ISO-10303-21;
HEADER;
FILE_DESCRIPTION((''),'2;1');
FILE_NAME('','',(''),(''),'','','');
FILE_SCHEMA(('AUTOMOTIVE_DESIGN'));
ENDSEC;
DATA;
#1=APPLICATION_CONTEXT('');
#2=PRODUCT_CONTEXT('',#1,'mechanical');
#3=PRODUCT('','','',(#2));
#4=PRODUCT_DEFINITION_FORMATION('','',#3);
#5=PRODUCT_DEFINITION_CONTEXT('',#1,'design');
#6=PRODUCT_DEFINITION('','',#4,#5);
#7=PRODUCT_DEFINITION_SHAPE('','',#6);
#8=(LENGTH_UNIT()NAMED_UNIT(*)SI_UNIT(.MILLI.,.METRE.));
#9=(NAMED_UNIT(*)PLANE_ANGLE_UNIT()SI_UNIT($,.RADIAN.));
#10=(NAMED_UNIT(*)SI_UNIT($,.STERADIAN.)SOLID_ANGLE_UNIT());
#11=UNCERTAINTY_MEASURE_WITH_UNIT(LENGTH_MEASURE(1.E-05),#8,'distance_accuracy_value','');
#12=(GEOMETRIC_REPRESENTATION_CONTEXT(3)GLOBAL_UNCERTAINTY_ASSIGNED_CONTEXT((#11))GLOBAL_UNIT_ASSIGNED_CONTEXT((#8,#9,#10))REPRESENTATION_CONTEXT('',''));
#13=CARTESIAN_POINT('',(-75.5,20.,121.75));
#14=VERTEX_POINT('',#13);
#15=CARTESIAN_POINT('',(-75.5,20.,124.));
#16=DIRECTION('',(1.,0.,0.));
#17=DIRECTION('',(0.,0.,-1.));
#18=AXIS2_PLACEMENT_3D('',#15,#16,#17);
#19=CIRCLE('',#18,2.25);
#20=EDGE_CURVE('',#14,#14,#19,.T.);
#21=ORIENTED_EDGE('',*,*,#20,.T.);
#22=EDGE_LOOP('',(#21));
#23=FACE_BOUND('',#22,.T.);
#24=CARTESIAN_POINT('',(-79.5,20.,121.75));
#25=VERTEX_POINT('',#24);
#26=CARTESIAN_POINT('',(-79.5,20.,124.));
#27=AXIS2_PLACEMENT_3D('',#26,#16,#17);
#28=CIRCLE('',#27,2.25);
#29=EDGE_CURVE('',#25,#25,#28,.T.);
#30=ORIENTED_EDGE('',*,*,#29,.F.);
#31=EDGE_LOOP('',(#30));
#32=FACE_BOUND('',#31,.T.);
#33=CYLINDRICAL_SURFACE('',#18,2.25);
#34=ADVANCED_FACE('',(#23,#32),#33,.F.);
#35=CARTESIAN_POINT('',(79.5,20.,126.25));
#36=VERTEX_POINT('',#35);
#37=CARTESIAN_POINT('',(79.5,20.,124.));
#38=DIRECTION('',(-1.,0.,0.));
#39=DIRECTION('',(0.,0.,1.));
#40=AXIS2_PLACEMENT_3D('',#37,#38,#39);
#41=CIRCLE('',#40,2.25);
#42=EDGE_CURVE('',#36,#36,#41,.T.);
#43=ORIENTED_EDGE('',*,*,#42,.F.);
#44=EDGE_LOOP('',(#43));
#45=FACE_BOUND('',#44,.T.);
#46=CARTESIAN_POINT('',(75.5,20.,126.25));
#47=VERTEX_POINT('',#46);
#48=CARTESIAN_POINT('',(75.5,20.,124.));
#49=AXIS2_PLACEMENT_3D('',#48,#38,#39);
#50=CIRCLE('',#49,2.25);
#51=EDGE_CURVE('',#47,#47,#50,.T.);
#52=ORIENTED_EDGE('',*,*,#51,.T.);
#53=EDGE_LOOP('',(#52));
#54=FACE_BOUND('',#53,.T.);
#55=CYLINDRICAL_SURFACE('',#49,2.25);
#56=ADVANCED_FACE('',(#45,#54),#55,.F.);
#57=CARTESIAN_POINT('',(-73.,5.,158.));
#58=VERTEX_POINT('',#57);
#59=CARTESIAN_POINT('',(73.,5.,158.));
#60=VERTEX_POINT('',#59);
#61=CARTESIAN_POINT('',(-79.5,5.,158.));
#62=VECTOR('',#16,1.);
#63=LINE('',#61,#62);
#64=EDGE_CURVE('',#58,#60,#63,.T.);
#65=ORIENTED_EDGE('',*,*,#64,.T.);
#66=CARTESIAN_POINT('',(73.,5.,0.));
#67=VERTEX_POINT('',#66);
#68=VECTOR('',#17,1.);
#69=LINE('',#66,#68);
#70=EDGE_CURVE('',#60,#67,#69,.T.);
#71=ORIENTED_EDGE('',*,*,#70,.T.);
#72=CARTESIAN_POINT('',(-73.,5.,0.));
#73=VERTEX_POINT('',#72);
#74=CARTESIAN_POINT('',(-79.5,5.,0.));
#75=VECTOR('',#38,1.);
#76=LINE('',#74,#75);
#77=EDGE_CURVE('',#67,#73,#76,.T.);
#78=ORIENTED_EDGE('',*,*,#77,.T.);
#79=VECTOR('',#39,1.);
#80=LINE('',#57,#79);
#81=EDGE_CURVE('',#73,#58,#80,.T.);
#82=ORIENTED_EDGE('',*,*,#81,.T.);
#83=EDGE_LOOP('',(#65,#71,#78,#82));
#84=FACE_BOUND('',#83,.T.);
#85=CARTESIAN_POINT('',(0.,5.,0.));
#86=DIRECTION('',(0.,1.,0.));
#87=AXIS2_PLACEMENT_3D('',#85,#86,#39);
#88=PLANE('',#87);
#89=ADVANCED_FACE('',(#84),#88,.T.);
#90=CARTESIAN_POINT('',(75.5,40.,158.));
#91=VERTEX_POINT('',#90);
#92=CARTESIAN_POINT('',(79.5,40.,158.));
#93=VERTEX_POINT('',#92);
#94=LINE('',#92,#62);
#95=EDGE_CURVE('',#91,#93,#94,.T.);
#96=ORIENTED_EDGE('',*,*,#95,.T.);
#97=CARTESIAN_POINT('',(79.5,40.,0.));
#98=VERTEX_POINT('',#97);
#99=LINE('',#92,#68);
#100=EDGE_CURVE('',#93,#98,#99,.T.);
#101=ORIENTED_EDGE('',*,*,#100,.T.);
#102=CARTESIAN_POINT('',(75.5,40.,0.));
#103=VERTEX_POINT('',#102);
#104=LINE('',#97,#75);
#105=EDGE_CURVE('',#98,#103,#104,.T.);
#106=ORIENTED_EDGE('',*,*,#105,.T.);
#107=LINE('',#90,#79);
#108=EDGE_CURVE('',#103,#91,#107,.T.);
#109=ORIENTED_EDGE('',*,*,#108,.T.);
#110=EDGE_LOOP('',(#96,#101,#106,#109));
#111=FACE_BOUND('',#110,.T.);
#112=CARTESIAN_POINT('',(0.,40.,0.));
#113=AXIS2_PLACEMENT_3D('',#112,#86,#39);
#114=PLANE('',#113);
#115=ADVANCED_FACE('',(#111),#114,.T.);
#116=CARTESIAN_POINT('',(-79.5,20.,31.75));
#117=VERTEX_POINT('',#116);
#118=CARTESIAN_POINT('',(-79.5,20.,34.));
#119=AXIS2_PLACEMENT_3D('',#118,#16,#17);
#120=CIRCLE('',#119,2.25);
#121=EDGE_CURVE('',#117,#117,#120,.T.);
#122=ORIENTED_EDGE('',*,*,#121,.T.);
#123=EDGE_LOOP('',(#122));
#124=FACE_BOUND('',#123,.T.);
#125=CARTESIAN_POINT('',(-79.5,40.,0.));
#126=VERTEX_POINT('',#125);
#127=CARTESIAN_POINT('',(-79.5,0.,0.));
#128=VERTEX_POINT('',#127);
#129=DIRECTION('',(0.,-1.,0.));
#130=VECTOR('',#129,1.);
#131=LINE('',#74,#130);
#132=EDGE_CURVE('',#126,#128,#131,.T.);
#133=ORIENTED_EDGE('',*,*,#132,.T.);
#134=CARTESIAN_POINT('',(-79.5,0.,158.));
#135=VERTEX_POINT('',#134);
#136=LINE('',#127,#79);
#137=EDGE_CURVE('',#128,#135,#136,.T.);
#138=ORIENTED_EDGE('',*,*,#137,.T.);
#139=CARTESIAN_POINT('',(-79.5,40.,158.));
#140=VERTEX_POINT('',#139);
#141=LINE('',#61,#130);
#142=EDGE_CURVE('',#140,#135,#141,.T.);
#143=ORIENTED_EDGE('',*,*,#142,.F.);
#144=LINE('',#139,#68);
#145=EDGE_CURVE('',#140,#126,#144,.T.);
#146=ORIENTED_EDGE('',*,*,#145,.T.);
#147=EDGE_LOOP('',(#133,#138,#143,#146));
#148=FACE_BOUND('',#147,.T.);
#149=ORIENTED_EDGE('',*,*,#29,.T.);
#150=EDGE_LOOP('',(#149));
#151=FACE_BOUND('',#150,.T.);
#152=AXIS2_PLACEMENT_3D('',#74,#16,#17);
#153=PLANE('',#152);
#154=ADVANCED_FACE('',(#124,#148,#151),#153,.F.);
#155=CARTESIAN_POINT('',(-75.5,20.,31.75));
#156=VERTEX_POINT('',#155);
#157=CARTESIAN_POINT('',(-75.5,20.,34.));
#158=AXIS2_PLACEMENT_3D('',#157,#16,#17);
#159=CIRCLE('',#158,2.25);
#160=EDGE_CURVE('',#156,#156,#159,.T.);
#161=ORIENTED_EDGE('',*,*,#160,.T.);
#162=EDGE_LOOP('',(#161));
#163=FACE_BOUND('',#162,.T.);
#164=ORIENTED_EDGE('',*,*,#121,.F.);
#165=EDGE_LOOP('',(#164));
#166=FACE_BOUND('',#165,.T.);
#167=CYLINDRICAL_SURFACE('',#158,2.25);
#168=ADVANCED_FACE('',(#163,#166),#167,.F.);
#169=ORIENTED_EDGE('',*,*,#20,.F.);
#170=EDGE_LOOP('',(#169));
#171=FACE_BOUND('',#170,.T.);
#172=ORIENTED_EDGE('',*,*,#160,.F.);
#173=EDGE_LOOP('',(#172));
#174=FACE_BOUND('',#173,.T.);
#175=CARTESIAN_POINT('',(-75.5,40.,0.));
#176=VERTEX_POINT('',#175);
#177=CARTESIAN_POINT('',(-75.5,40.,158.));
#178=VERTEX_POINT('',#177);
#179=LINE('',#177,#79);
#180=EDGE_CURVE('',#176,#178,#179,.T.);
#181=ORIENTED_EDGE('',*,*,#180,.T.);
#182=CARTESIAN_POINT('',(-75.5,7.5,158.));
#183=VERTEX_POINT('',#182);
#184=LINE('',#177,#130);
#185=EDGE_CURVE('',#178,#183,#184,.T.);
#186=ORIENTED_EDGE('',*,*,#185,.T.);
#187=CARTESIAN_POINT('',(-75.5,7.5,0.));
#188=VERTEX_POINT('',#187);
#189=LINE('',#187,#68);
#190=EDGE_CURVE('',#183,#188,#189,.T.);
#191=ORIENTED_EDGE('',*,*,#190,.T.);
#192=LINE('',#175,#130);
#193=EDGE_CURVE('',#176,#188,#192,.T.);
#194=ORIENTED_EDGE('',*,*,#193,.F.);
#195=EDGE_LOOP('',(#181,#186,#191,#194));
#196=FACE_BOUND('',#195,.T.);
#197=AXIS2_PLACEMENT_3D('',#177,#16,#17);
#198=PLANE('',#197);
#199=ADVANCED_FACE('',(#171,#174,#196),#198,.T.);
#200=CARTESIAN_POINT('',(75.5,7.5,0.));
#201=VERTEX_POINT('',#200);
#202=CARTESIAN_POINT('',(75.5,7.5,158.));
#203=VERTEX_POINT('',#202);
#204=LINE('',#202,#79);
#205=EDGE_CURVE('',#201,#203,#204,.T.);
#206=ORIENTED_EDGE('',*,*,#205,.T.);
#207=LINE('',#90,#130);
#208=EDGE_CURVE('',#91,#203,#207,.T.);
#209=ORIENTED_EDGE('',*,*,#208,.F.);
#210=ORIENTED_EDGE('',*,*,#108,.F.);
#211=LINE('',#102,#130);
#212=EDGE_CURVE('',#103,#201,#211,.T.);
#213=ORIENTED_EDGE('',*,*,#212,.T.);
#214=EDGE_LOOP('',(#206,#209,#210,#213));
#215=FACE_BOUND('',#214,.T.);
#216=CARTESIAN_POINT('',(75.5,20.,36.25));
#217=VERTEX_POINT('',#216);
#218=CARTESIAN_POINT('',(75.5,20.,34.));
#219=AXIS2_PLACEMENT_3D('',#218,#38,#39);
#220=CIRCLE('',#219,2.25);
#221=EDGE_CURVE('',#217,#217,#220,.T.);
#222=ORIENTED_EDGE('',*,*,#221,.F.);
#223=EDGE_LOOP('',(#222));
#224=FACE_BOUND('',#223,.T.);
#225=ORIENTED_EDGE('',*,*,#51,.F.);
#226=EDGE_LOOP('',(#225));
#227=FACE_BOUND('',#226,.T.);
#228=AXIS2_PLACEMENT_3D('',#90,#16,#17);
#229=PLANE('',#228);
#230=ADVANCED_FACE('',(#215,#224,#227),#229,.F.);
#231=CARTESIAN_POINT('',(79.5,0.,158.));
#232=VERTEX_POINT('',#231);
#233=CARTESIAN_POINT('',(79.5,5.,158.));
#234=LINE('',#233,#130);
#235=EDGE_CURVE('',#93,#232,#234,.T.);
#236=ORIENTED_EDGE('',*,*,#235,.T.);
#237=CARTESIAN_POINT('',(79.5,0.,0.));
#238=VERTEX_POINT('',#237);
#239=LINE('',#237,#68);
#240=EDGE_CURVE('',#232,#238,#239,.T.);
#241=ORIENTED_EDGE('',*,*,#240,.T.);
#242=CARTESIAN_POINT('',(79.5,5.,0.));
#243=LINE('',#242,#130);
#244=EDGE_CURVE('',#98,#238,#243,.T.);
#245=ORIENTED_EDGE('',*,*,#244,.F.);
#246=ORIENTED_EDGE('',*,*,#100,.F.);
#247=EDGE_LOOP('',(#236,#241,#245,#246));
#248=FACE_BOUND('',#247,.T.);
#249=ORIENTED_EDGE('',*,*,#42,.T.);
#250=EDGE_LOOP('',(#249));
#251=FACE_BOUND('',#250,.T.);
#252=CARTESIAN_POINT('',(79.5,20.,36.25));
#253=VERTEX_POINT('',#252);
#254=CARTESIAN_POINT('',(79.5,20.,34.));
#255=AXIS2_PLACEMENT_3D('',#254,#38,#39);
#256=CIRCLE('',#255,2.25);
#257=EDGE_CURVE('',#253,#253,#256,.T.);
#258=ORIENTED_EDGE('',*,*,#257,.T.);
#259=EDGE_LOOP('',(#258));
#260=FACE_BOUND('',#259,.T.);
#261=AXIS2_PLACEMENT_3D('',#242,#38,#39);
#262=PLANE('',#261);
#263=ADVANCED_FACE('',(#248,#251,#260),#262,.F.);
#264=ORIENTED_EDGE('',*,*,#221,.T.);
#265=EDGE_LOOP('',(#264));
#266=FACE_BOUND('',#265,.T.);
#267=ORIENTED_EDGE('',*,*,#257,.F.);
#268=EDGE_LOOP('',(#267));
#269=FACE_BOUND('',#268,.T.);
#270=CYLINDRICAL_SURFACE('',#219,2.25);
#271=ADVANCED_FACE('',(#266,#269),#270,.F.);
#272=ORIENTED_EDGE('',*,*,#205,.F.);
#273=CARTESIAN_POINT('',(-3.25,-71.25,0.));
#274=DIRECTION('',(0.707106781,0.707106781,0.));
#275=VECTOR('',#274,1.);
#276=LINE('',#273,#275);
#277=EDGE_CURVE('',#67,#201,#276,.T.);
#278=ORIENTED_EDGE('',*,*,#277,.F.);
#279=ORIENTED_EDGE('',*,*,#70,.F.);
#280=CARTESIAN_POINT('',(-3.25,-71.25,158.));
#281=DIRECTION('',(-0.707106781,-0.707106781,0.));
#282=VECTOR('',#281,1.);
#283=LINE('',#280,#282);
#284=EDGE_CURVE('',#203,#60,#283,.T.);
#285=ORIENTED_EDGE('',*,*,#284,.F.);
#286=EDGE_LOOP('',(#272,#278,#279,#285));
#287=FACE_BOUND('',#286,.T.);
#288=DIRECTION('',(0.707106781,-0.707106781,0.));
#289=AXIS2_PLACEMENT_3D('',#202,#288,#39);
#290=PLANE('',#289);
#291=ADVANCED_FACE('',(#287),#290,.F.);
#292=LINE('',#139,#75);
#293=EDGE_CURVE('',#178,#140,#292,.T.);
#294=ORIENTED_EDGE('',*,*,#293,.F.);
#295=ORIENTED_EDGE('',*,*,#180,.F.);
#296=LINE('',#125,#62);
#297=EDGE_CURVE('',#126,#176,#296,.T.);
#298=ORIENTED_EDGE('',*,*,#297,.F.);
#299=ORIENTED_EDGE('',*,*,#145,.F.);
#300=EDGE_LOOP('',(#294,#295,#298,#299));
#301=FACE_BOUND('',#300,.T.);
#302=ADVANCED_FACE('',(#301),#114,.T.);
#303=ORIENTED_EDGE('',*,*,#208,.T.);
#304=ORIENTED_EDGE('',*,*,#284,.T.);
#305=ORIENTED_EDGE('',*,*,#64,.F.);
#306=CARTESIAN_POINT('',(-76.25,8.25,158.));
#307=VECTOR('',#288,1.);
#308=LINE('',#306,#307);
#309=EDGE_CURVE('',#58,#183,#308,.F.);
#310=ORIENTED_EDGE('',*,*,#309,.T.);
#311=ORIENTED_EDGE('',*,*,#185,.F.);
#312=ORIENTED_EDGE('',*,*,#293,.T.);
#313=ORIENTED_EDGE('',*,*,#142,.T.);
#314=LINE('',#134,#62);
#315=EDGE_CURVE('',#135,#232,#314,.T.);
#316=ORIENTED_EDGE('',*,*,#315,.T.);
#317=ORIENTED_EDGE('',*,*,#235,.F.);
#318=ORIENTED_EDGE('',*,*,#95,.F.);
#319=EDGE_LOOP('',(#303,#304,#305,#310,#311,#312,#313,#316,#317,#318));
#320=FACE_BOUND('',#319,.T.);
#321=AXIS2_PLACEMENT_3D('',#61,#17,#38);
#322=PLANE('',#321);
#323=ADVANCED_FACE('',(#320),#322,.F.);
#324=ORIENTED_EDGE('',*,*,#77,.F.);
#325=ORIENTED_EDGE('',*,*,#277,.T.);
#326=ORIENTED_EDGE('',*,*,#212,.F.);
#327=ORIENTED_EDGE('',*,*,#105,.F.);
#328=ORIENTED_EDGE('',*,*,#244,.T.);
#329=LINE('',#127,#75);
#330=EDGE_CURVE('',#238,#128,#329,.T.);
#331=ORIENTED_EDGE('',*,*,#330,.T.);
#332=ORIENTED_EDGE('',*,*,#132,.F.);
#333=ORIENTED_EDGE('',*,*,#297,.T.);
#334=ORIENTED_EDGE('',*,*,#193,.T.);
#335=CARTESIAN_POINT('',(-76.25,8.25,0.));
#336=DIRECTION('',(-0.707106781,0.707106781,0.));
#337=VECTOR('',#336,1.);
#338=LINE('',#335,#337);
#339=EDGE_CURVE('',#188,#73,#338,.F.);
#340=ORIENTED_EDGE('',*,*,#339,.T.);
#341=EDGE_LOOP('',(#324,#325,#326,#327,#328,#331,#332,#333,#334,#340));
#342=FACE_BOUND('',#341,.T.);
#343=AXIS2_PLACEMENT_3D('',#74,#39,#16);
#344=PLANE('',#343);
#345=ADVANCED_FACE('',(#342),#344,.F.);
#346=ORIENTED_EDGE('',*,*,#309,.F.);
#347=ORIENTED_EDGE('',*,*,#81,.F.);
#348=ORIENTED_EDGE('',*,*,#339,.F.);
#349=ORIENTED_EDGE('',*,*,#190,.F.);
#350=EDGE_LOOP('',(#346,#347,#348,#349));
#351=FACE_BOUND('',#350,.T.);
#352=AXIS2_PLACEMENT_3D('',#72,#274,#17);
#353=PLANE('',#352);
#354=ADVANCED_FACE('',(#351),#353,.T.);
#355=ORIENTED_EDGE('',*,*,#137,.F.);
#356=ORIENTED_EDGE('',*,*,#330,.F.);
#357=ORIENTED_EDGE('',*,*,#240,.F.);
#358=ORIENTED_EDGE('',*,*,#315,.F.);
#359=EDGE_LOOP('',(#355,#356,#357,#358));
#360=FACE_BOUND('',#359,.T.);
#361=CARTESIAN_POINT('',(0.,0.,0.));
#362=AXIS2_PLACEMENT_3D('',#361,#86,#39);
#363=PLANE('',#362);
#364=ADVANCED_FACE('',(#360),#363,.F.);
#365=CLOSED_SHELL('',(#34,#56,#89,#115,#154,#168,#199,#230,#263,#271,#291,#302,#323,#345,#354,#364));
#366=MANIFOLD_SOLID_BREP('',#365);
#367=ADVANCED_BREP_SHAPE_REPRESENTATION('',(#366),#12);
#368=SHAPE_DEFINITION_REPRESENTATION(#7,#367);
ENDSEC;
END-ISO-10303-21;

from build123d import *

# Parameters (mm, degrees)
SKETCH1_W            = 159
SKETCH1_H            = 158
BOSS_EXTRUDE1_DEPTH  = 5
SKETCH4_W            = 4
SKETCH4_H            = 158
BOSS_EXTRUDE2_DEPTH  = 35
M4_CLEARANCE_HOLE1_D = 4.5
CHAMFER2_SIZE        = 2.5


with BuildPart() as part:
    # Sketch1 → Boss-Extrude1 (new body)
    with BuildSketch(Plane(origin=(0, 0, 0), x_dir=(1, 0, 0), z_dir=(0, 1, 0))):
        with Locations((0, -79)):
            Rectangle(SKETCH1_W, SKETCH1_H)
    extrude(amount=BOSS_EXTRUDE1_DEPTH)

    # Sketch4 → Boss-Extrude2 (add)
    with BuildSketch(Plane(origin=(0, 5, 0), x_dir=(1, 0, 0), z_dir=(0, 1, 0))):
        with Locations((77.5, -79)):
            Rectangle(SKETCH4_W, SKETCH4_H)
    boss_extrude2 = extrude(amount=BOSS_EXTRUDE2_DEPTH)

    # M4 Clearance Hole1 (through all)
    with Locations(Plane.ZY.offset(-75.5)):
        with Locations((124, 20), (34, 20)):
            m4_clearance_hole1 = Hole(M4_CLEARANCE_HOLE1_D / 2)

    # Mirror2: Boss-Extrude2, M4 Clearance Hole1 across plane
    add(boss_extrude2.mirror(Plane.ZY))
    add(m4_clearance_hole1.mirror(Plane.ZY), mode=Mode.SUBTRACT)

    # Chamfer2
    chamfer2_edges = [part.edges().sort_by_distance(p)[0] for p in [
        (75.5, 5, 79),
        (-75.5, 5, 79),
    ]]
    chamfer(chamfer2_edges, length=CHAMFER2_SIZE)


solid = part.part
